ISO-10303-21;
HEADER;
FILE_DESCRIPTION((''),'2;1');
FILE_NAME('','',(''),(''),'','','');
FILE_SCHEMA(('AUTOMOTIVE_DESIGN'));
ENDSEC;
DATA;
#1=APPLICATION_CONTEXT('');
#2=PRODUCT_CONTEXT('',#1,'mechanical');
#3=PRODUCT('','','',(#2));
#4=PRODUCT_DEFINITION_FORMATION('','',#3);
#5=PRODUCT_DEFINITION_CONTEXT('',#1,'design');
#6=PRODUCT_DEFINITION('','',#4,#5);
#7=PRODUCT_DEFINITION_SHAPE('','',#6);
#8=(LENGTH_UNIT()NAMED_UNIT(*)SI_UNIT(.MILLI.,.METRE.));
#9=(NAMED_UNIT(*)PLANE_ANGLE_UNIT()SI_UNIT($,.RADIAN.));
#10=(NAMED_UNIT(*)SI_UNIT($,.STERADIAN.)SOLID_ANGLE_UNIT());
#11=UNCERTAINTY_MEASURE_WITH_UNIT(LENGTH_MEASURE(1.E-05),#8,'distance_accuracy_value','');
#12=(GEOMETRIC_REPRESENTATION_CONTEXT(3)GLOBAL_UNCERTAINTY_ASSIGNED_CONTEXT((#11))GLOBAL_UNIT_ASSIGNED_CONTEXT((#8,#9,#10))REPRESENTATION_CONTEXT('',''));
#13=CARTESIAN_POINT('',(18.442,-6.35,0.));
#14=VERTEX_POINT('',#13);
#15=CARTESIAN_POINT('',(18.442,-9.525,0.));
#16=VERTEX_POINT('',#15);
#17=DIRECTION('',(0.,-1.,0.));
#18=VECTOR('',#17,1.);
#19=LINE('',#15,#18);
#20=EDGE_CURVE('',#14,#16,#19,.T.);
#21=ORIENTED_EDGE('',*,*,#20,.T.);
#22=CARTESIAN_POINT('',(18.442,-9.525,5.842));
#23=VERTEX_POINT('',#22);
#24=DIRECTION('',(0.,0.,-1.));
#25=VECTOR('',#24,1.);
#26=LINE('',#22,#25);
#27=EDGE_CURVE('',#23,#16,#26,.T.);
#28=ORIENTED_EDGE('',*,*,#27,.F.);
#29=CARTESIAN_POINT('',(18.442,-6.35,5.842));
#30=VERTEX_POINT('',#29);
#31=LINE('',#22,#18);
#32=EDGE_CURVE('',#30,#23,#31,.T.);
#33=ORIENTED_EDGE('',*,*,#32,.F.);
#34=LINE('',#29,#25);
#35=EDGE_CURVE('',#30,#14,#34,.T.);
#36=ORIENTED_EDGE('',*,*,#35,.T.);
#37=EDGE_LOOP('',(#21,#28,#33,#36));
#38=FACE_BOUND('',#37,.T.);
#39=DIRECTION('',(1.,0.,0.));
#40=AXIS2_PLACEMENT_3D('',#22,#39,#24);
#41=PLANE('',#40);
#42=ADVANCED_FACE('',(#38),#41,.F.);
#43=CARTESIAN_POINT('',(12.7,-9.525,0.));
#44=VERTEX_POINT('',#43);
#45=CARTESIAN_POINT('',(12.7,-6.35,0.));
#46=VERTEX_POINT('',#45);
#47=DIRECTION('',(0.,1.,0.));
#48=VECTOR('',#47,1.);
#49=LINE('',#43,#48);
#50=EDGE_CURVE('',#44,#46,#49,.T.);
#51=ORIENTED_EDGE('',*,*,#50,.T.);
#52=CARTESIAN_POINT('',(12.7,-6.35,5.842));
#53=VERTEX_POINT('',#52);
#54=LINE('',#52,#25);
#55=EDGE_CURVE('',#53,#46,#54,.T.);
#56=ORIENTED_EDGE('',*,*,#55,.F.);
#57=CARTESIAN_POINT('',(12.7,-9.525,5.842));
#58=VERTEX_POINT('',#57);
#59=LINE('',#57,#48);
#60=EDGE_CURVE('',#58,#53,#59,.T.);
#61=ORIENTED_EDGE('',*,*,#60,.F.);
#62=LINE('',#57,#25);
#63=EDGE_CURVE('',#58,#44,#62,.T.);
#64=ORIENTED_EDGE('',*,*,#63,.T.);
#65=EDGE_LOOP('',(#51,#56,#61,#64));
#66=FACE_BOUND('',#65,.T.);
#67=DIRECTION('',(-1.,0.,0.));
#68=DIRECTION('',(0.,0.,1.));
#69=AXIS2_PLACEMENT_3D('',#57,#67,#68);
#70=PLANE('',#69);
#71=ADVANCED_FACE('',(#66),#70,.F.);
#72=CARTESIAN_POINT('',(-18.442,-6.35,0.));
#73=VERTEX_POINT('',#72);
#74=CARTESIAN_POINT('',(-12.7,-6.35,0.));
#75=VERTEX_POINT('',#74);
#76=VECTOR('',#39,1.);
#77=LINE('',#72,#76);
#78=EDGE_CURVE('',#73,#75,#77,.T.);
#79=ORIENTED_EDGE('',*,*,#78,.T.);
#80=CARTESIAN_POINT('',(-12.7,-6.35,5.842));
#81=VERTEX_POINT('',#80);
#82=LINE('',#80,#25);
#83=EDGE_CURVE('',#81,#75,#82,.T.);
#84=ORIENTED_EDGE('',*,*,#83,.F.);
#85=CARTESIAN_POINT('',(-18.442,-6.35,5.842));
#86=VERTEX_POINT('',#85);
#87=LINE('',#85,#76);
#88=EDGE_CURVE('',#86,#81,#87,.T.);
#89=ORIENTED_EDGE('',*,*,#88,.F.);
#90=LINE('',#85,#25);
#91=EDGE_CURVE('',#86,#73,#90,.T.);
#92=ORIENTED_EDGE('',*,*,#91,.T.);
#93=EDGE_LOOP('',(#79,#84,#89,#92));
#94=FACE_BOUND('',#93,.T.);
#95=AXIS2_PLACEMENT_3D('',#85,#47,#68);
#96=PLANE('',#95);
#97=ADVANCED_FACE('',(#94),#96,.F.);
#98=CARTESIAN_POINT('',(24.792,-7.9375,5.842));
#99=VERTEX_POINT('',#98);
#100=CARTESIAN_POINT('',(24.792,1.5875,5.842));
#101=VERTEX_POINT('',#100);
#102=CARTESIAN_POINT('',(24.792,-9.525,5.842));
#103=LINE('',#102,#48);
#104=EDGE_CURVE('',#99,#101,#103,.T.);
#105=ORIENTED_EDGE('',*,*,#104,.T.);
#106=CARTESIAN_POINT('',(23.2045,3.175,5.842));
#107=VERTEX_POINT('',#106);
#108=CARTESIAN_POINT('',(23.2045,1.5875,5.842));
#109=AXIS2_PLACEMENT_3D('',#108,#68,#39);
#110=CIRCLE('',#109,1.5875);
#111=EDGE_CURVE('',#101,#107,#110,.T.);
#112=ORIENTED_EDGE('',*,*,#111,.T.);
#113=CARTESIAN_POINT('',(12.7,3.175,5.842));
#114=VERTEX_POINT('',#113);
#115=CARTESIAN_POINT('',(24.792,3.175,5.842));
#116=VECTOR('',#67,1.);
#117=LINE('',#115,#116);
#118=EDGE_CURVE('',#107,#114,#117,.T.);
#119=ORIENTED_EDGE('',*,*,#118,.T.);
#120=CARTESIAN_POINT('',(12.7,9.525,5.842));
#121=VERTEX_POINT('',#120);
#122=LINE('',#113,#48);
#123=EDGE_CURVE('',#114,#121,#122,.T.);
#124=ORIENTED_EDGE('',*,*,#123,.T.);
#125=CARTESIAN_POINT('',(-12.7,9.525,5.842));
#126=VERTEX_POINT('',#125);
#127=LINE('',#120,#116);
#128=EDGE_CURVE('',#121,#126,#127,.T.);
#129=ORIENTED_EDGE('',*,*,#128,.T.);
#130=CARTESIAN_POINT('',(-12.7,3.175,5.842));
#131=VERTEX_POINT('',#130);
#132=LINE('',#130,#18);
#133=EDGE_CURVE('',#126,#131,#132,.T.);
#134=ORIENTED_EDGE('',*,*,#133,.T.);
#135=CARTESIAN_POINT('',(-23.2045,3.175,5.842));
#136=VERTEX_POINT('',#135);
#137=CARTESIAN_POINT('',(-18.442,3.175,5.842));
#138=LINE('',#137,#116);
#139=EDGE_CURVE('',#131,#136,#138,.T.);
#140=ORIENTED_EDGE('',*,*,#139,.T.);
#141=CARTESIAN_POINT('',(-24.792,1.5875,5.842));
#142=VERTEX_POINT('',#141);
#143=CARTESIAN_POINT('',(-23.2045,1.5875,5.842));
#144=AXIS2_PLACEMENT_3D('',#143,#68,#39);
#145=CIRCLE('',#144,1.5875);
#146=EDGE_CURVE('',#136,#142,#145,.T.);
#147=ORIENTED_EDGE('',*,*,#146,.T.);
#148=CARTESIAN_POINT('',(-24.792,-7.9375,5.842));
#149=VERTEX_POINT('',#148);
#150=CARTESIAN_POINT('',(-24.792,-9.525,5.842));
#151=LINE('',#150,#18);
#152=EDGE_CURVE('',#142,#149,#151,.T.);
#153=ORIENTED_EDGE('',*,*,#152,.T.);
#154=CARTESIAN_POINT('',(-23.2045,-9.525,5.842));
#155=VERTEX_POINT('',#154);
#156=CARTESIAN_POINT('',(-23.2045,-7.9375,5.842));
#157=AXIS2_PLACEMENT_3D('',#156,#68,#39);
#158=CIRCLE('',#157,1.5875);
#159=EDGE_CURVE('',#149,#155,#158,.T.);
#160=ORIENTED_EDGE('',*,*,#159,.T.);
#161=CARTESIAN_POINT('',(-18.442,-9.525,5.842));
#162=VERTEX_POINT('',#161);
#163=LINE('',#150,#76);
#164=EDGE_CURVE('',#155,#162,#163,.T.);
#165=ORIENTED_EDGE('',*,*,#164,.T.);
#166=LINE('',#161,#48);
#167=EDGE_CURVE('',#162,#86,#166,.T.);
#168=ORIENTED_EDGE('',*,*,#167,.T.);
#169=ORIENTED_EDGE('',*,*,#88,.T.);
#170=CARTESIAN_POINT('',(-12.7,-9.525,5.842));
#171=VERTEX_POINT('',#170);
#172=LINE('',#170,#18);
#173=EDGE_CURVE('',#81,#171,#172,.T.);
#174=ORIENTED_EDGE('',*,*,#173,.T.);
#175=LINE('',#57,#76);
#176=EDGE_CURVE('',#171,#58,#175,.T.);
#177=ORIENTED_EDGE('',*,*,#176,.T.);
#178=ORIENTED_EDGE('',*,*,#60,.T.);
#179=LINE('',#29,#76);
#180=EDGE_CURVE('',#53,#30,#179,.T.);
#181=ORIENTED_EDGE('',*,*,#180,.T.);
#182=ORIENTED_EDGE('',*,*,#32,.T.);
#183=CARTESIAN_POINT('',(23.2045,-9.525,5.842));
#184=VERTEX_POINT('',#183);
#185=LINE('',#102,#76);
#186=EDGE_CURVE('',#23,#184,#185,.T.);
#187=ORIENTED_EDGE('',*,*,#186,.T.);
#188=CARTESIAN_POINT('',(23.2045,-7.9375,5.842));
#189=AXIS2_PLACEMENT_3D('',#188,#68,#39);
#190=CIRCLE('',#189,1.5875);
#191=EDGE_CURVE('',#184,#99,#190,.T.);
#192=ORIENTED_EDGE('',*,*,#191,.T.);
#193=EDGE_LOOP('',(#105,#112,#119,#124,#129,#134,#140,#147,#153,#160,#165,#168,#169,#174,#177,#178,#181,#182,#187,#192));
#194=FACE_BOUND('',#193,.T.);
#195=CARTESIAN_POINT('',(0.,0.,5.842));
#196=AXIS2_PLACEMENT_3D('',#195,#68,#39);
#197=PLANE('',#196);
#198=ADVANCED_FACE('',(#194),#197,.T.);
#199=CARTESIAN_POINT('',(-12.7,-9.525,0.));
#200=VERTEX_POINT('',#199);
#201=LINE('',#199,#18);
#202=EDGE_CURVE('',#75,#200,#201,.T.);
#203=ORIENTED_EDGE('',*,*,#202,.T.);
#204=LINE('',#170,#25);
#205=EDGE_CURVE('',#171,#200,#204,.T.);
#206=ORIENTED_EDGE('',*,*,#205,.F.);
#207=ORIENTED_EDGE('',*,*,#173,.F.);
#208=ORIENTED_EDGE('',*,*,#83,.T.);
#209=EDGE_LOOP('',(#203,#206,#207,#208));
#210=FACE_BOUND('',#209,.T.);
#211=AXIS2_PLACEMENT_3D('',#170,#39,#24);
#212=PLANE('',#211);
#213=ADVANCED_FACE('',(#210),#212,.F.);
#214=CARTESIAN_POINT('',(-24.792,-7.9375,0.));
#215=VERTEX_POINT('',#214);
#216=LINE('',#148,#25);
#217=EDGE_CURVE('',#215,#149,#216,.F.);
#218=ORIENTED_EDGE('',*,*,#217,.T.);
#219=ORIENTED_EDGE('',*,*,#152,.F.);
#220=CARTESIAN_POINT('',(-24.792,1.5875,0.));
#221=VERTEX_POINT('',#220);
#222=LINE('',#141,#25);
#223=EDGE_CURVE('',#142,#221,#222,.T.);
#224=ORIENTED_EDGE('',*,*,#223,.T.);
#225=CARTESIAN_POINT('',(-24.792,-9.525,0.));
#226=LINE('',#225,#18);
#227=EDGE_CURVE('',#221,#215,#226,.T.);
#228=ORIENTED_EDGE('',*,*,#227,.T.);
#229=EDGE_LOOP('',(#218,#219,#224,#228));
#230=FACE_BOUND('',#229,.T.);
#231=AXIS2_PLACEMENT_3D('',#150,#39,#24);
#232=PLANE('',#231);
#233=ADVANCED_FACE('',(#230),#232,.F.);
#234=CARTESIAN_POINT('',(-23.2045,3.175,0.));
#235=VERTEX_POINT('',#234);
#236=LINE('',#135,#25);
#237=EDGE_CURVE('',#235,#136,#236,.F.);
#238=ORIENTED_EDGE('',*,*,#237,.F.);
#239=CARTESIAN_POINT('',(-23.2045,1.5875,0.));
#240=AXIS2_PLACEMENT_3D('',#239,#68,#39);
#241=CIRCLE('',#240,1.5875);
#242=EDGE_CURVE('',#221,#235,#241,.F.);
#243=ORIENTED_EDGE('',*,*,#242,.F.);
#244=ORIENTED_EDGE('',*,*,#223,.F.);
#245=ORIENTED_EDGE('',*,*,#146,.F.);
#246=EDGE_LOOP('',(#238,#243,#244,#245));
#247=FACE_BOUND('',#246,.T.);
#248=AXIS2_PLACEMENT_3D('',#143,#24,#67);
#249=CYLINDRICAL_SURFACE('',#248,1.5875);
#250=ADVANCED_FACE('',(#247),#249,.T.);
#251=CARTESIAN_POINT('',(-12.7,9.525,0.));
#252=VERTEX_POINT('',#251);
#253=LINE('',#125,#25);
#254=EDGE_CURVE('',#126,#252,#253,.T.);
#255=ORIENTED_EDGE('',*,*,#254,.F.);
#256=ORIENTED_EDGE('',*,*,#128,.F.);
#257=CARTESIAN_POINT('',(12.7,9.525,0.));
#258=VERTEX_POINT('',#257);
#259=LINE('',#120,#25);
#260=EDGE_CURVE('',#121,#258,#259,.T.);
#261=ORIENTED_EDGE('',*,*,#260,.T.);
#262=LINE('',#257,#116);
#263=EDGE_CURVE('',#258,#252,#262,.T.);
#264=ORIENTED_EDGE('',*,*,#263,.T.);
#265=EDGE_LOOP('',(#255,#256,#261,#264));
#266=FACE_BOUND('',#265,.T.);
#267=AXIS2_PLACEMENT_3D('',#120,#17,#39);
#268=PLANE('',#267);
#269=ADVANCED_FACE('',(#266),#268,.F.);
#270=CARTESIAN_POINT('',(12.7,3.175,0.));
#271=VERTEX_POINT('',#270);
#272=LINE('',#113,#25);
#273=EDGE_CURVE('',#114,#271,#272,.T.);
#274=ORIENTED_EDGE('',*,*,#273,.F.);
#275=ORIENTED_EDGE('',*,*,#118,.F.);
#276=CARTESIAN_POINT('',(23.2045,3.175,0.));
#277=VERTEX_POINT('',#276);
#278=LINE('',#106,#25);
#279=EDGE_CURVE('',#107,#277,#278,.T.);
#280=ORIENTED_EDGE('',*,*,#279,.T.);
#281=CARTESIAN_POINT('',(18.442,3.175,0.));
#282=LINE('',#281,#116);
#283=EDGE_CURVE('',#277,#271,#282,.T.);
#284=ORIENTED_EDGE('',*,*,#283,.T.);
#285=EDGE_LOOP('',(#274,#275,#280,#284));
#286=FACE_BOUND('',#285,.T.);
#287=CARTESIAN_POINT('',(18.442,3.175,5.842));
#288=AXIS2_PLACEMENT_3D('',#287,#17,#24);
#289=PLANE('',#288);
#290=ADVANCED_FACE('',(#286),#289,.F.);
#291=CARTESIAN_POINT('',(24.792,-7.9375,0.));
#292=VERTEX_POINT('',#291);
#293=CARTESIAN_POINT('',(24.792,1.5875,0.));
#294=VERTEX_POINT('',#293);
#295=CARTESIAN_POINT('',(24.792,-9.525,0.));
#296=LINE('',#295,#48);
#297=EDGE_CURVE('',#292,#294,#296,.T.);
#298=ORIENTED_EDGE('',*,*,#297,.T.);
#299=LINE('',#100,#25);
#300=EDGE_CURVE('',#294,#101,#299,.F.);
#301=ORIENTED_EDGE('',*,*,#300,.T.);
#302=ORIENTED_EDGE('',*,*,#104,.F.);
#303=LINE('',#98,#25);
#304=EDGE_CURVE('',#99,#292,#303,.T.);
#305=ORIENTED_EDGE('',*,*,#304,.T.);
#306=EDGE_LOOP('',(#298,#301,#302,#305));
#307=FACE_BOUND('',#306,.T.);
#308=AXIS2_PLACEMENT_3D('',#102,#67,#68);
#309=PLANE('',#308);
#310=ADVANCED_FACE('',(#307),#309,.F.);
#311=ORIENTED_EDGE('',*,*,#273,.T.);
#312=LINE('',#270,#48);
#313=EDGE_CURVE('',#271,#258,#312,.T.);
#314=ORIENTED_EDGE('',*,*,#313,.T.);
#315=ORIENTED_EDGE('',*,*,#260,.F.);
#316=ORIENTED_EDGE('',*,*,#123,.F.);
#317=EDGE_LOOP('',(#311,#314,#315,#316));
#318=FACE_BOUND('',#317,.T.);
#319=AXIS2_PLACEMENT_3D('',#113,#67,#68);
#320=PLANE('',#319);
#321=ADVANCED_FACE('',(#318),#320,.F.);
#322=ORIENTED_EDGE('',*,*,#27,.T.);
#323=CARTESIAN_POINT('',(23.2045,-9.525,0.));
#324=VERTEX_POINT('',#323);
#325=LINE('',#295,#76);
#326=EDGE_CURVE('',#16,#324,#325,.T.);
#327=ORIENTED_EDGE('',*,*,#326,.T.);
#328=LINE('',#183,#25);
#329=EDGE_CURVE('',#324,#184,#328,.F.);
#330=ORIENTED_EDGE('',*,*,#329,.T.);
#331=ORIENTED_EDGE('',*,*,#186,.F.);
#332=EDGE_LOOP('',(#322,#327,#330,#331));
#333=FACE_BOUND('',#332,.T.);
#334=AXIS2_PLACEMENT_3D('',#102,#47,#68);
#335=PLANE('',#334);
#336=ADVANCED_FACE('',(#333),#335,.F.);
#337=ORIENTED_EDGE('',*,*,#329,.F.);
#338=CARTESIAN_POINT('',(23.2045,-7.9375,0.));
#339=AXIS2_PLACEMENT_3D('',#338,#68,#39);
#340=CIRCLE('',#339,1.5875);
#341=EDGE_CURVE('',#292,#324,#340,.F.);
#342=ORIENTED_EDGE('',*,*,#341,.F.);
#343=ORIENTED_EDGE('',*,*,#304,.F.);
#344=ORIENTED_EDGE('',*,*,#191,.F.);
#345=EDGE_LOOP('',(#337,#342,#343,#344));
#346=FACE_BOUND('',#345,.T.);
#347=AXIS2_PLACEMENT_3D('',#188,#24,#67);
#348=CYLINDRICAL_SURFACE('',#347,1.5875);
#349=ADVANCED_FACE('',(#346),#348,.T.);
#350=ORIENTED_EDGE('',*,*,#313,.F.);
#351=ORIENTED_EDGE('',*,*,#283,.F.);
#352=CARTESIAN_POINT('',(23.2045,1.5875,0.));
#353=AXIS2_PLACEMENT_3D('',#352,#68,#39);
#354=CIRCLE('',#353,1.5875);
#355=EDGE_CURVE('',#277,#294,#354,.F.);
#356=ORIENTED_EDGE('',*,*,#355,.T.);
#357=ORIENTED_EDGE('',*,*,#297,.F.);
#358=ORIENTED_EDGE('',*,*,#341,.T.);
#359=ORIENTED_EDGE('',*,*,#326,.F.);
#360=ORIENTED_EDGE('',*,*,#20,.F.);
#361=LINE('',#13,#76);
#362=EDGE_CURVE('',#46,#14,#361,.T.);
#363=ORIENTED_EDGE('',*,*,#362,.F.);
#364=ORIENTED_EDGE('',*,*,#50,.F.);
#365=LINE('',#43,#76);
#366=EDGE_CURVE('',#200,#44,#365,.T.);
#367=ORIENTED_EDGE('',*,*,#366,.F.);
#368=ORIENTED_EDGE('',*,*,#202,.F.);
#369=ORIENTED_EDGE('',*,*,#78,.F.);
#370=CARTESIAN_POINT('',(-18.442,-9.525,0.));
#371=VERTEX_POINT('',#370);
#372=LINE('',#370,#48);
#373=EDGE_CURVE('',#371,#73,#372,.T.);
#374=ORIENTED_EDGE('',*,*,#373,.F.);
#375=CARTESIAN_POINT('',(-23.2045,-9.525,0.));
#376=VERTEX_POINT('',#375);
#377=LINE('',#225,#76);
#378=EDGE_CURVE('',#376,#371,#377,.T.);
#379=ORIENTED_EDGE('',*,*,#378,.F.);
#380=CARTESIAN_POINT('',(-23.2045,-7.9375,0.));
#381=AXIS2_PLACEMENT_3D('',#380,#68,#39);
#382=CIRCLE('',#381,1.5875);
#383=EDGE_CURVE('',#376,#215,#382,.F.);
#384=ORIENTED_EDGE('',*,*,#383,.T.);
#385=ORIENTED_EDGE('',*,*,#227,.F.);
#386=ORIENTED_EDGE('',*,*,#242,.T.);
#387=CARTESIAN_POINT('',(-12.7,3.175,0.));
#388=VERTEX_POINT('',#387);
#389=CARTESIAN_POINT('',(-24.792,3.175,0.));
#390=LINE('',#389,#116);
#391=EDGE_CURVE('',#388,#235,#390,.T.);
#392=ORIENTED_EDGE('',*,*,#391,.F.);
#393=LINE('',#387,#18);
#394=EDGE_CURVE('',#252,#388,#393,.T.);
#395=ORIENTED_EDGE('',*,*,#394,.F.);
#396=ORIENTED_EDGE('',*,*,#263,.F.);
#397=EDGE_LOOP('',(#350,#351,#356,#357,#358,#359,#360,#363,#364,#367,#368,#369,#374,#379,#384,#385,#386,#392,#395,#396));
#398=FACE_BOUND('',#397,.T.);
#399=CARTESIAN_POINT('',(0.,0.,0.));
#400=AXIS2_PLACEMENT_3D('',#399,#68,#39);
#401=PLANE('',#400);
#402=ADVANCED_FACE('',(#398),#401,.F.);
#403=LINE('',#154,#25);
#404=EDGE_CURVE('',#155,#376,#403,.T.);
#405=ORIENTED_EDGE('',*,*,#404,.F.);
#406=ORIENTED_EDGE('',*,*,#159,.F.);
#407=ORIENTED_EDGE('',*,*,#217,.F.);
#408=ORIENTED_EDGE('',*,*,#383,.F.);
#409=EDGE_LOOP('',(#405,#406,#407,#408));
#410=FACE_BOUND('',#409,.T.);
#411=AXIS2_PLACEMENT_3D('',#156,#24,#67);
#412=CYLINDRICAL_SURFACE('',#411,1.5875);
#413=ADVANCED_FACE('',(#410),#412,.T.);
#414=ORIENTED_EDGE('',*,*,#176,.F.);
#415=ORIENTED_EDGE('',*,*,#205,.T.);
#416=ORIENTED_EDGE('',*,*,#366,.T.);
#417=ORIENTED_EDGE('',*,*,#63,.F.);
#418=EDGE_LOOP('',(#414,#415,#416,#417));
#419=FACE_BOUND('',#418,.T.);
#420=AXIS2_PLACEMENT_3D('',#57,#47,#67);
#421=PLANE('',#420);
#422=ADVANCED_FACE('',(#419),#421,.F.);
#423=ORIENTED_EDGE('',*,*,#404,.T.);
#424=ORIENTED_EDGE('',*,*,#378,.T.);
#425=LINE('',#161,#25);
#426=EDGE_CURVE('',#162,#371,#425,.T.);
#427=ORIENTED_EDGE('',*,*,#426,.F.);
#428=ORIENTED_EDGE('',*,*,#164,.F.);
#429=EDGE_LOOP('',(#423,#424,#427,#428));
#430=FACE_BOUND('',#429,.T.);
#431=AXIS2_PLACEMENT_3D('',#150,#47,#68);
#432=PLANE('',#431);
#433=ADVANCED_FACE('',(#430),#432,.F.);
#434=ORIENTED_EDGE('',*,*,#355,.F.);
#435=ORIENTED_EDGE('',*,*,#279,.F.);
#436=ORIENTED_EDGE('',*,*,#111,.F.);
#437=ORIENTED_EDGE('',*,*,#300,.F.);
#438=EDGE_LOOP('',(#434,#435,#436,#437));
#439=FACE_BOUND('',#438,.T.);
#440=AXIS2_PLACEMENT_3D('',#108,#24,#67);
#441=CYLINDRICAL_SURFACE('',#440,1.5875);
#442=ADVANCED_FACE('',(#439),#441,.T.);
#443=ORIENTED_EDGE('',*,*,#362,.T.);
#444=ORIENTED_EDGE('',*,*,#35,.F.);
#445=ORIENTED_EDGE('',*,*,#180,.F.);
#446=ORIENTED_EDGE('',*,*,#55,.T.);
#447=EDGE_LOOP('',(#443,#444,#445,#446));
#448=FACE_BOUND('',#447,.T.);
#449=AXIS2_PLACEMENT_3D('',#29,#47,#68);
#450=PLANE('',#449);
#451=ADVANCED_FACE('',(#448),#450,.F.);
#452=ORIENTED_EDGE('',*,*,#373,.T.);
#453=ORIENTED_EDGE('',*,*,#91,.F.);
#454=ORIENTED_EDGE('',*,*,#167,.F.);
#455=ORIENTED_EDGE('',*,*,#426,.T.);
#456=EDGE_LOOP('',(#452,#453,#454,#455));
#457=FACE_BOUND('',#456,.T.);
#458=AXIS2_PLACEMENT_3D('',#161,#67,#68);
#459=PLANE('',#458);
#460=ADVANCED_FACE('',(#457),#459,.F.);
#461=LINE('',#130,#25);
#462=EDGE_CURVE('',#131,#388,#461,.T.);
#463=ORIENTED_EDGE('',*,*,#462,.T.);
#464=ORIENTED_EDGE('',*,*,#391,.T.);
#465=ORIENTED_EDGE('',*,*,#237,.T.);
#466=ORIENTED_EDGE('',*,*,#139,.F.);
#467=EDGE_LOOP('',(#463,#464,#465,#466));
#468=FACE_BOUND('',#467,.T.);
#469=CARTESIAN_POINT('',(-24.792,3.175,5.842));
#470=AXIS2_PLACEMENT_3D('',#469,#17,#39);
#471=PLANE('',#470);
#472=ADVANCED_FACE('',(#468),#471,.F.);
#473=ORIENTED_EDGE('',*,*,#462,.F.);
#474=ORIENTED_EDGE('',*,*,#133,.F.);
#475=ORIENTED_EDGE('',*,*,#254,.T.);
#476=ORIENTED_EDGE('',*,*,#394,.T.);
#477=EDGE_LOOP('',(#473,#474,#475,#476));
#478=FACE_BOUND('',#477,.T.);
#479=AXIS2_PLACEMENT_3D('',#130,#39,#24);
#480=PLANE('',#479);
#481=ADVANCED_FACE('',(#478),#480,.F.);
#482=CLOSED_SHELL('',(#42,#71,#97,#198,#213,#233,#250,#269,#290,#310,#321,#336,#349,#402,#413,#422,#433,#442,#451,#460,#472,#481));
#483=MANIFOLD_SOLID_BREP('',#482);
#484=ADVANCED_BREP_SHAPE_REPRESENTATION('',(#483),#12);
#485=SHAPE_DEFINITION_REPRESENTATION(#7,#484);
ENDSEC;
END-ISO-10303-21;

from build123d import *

# Parameters (mm, degrees)
BOSS_EXTRUDE1_DEPTH = 5.842
FILLET1_R           = 1.5875


with BuildPart() as part:
    # Sketch1 → Boss-Extrude1 (new body)
    with BuildSketch(Plane.XY):
        Polygon((12.7, -9.525), (-12.7, -9.525), (-12.7, -6.35), (-18.442, -6.35), (-18.442, -9.525), (-24.792, -9.525), (-24.792, 3.175), (-18.442, 3.175), (-12.7, 3.175), (-12.7, 9.525), (12.7, 9.525), (12.7, 3.175), (18.442, 3.175), (24.792, 3.175), (24.792, -9.525), (18.442, -9.525), (18.442, -6.35), (12.7, -6.35), align=None)
    extrude(amount=BOSS_EXTRUDE1_DEPTH)

    # Fillet1
    fillet1_edges = [part.edges().sort_by_distance(p)[0] for p in [
        (24.792, 3.175, 2.921),
        (24.792, -9.525, 2.921),
        (-24.792, -9.525, 2.921),
        (-24.792, 3.175, 2.921),
    ]]
    fillet(fillet1_edges, radius=FILLET1_R)


solid = part.part
